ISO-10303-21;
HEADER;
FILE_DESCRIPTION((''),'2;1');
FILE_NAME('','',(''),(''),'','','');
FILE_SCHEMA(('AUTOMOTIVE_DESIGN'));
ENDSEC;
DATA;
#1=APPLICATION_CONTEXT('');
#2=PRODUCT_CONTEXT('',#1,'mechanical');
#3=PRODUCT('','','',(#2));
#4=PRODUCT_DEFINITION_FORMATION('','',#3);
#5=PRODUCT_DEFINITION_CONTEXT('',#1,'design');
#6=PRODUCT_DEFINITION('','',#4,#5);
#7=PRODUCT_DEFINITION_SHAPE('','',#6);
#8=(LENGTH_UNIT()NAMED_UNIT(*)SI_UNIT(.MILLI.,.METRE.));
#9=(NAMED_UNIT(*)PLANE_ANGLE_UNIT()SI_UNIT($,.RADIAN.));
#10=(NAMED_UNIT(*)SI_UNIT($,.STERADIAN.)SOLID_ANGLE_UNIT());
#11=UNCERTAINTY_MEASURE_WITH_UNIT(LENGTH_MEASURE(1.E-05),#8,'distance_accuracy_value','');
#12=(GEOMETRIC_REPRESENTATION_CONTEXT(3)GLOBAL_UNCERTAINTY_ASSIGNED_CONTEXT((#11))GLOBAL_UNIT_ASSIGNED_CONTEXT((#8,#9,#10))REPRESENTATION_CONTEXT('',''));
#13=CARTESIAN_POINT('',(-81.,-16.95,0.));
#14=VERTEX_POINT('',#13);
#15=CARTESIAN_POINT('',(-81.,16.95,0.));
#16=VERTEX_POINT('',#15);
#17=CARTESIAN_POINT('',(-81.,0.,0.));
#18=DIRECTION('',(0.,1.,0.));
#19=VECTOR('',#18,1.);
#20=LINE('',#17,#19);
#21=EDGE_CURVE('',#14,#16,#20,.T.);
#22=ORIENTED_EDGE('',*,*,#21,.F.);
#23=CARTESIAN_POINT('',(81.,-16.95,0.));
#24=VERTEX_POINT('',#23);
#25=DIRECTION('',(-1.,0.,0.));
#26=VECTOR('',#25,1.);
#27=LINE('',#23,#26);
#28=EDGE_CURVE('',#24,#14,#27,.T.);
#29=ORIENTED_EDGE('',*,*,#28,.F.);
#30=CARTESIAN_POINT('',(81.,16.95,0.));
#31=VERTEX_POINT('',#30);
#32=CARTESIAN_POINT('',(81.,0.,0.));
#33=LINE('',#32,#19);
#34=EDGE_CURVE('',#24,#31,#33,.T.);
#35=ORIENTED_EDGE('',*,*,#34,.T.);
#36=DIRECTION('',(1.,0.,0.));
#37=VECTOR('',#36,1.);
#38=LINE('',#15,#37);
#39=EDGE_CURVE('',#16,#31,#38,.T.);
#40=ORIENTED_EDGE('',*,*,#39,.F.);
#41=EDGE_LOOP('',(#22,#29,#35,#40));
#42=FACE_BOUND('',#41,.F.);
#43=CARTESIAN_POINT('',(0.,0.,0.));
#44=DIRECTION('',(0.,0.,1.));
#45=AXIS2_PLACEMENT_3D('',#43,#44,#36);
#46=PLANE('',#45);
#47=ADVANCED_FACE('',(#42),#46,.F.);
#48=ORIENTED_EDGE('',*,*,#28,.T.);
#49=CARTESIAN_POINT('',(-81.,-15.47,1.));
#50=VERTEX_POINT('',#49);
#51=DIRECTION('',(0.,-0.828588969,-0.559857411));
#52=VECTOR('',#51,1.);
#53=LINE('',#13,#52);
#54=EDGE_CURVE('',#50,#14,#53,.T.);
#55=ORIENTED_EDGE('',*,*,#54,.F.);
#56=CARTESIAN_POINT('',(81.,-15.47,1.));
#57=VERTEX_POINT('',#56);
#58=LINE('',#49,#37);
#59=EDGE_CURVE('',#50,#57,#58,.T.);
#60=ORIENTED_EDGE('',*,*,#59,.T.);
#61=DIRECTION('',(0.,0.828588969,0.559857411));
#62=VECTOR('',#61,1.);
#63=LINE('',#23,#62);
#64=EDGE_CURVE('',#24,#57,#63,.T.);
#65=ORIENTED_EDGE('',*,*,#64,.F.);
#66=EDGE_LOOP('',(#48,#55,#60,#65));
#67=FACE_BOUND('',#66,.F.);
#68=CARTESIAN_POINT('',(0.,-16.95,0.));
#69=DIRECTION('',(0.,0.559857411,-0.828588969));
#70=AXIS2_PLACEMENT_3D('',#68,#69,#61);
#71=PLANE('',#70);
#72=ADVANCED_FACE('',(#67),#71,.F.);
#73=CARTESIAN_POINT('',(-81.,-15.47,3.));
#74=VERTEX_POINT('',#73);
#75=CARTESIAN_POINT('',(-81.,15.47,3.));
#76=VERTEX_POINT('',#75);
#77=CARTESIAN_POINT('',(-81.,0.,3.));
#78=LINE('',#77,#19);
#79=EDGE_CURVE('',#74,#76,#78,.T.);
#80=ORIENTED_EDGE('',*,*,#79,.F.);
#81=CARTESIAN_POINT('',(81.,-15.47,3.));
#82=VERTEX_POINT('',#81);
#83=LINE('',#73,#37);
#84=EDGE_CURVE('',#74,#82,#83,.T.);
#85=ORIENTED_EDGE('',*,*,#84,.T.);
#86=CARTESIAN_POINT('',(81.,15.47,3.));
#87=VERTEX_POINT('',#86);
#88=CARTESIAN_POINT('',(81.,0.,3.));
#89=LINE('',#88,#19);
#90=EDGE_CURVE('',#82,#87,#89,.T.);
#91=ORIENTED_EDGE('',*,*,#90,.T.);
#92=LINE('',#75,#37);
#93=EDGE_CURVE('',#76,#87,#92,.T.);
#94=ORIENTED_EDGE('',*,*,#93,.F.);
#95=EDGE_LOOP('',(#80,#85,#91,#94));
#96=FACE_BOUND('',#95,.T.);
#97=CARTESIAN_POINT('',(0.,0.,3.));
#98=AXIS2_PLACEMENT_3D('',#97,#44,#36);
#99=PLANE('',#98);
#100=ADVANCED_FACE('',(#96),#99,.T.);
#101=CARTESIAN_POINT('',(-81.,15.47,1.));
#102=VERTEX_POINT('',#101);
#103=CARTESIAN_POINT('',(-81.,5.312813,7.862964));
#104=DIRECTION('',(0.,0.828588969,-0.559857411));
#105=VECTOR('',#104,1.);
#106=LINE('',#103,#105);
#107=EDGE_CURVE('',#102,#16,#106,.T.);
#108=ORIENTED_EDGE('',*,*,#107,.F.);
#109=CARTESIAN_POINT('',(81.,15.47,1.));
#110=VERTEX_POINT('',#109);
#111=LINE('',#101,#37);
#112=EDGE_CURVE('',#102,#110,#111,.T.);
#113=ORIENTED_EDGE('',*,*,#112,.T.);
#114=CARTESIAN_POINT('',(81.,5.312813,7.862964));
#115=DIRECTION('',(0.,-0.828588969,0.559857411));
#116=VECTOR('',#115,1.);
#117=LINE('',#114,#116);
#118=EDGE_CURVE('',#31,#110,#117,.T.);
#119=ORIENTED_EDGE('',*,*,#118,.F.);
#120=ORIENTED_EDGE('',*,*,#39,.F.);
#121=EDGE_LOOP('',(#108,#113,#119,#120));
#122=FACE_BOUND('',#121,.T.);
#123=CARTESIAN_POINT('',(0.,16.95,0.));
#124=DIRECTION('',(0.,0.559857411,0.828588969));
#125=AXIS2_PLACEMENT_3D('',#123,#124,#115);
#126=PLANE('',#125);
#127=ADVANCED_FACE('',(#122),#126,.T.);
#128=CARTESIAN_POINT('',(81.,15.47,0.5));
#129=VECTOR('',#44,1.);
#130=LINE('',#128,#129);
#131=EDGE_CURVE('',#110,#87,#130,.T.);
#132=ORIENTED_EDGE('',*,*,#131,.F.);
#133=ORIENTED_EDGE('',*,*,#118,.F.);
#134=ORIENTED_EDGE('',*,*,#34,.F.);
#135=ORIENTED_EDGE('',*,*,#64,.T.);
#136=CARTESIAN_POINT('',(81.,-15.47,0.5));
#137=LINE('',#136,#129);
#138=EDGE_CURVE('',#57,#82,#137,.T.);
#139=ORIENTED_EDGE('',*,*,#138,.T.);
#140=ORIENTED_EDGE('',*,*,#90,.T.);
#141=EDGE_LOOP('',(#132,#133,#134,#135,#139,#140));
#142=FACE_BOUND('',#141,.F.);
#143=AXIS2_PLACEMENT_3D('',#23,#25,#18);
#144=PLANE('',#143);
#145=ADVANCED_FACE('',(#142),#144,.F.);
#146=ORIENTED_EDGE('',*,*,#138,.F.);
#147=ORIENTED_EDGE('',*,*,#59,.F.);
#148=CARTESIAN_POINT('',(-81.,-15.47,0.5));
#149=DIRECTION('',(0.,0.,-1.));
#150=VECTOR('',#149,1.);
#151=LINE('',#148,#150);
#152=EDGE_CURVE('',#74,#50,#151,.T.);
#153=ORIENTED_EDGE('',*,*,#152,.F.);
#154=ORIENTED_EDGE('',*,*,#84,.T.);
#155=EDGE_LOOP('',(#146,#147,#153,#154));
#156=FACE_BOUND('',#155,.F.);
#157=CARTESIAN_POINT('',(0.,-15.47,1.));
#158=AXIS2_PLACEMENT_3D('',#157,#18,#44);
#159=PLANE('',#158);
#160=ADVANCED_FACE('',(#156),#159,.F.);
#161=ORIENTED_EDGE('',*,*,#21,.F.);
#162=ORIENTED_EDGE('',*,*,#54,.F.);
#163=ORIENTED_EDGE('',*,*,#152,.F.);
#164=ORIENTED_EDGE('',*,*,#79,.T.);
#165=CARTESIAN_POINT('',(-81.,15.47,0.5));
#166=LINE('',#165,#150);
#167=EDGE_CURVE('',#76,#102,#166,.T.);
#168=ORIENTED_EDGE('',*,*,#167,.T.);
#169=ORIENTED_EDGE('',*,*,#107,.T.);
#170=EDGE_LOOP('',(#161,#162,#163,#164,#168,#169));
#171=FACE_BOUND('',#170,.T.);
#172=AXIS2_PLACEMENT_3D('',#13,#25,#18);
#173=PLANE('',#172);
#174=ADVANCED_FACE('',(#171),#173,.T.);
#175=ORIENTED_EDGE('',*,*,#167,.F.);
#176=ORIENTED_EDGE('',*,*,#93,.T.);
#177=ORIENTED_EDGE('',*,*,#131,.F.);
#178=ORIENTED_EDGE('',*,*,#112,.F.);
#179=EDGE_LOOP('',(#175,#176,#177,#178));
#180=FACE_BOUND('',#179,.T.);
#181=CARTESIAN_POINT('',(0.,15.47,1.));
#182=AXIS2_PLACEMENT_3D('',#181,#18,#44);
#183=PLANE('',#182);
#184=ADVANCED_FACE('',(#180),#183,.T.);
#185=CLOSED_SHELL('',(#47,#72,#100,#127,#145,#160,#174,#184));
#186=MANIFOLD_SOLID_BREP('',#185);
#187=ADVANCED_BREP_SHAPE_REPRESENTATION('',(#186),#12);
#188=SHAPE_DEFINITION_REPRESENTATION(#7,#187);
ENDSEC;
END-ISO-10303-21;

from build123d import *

# Parameters (mm, degrees)
SKETCH_W             = 162
SKETCH_H             = 33.9
PAD_DEPTH            = 3
POCKET_DEPTH         = 81.001
POCKET_DEPTH_BACK    = -81.001
POCKET001_DEPTH      = 81.001
POCKET001_DEPTH_BACK = -81.001


with BuildPart() as part:
    # Sketch → Pad (new body)
    with BuildSketch(Plane.XY):
        Rectangle(SKETCH_W, SKETCH_H)
    extrude(amount=PAD_DEPTH)

    # Sketch001 → Pocket (cut, two sides)
    with BuildSketch(Plane.YZ) as pocket_sk:
        Polygon((15.47, 3), (16.95, 3), (16.95, 0), (15.47, 1), align=None)
    extrude(amount=-POCKET_DEPTH, mode=Mode.SUBTRACT)
    extrude(pocket_sk.sketch, amount=-POCKET_DEPTH_BACK, mode=Mode.SUBTRACT)

    # MirroredSketch → Pocket001 (cut, two sides)
    with BuildSketch(Plane.YZ) as pocket001_sk:
        Polygon((-15.47, 3), (-16.95, 3), (-16.95, 0), (-15.47, 1), align=None)
    extrude(amount=-POCKET001_DEPTH, mode=Mode.SUBTRACT)
    extrude(pocket001_sk.sketch, amount=-POCKET001_DEPTH_BACK, mode=Mode.SUBTRACT)


solid = part.part
